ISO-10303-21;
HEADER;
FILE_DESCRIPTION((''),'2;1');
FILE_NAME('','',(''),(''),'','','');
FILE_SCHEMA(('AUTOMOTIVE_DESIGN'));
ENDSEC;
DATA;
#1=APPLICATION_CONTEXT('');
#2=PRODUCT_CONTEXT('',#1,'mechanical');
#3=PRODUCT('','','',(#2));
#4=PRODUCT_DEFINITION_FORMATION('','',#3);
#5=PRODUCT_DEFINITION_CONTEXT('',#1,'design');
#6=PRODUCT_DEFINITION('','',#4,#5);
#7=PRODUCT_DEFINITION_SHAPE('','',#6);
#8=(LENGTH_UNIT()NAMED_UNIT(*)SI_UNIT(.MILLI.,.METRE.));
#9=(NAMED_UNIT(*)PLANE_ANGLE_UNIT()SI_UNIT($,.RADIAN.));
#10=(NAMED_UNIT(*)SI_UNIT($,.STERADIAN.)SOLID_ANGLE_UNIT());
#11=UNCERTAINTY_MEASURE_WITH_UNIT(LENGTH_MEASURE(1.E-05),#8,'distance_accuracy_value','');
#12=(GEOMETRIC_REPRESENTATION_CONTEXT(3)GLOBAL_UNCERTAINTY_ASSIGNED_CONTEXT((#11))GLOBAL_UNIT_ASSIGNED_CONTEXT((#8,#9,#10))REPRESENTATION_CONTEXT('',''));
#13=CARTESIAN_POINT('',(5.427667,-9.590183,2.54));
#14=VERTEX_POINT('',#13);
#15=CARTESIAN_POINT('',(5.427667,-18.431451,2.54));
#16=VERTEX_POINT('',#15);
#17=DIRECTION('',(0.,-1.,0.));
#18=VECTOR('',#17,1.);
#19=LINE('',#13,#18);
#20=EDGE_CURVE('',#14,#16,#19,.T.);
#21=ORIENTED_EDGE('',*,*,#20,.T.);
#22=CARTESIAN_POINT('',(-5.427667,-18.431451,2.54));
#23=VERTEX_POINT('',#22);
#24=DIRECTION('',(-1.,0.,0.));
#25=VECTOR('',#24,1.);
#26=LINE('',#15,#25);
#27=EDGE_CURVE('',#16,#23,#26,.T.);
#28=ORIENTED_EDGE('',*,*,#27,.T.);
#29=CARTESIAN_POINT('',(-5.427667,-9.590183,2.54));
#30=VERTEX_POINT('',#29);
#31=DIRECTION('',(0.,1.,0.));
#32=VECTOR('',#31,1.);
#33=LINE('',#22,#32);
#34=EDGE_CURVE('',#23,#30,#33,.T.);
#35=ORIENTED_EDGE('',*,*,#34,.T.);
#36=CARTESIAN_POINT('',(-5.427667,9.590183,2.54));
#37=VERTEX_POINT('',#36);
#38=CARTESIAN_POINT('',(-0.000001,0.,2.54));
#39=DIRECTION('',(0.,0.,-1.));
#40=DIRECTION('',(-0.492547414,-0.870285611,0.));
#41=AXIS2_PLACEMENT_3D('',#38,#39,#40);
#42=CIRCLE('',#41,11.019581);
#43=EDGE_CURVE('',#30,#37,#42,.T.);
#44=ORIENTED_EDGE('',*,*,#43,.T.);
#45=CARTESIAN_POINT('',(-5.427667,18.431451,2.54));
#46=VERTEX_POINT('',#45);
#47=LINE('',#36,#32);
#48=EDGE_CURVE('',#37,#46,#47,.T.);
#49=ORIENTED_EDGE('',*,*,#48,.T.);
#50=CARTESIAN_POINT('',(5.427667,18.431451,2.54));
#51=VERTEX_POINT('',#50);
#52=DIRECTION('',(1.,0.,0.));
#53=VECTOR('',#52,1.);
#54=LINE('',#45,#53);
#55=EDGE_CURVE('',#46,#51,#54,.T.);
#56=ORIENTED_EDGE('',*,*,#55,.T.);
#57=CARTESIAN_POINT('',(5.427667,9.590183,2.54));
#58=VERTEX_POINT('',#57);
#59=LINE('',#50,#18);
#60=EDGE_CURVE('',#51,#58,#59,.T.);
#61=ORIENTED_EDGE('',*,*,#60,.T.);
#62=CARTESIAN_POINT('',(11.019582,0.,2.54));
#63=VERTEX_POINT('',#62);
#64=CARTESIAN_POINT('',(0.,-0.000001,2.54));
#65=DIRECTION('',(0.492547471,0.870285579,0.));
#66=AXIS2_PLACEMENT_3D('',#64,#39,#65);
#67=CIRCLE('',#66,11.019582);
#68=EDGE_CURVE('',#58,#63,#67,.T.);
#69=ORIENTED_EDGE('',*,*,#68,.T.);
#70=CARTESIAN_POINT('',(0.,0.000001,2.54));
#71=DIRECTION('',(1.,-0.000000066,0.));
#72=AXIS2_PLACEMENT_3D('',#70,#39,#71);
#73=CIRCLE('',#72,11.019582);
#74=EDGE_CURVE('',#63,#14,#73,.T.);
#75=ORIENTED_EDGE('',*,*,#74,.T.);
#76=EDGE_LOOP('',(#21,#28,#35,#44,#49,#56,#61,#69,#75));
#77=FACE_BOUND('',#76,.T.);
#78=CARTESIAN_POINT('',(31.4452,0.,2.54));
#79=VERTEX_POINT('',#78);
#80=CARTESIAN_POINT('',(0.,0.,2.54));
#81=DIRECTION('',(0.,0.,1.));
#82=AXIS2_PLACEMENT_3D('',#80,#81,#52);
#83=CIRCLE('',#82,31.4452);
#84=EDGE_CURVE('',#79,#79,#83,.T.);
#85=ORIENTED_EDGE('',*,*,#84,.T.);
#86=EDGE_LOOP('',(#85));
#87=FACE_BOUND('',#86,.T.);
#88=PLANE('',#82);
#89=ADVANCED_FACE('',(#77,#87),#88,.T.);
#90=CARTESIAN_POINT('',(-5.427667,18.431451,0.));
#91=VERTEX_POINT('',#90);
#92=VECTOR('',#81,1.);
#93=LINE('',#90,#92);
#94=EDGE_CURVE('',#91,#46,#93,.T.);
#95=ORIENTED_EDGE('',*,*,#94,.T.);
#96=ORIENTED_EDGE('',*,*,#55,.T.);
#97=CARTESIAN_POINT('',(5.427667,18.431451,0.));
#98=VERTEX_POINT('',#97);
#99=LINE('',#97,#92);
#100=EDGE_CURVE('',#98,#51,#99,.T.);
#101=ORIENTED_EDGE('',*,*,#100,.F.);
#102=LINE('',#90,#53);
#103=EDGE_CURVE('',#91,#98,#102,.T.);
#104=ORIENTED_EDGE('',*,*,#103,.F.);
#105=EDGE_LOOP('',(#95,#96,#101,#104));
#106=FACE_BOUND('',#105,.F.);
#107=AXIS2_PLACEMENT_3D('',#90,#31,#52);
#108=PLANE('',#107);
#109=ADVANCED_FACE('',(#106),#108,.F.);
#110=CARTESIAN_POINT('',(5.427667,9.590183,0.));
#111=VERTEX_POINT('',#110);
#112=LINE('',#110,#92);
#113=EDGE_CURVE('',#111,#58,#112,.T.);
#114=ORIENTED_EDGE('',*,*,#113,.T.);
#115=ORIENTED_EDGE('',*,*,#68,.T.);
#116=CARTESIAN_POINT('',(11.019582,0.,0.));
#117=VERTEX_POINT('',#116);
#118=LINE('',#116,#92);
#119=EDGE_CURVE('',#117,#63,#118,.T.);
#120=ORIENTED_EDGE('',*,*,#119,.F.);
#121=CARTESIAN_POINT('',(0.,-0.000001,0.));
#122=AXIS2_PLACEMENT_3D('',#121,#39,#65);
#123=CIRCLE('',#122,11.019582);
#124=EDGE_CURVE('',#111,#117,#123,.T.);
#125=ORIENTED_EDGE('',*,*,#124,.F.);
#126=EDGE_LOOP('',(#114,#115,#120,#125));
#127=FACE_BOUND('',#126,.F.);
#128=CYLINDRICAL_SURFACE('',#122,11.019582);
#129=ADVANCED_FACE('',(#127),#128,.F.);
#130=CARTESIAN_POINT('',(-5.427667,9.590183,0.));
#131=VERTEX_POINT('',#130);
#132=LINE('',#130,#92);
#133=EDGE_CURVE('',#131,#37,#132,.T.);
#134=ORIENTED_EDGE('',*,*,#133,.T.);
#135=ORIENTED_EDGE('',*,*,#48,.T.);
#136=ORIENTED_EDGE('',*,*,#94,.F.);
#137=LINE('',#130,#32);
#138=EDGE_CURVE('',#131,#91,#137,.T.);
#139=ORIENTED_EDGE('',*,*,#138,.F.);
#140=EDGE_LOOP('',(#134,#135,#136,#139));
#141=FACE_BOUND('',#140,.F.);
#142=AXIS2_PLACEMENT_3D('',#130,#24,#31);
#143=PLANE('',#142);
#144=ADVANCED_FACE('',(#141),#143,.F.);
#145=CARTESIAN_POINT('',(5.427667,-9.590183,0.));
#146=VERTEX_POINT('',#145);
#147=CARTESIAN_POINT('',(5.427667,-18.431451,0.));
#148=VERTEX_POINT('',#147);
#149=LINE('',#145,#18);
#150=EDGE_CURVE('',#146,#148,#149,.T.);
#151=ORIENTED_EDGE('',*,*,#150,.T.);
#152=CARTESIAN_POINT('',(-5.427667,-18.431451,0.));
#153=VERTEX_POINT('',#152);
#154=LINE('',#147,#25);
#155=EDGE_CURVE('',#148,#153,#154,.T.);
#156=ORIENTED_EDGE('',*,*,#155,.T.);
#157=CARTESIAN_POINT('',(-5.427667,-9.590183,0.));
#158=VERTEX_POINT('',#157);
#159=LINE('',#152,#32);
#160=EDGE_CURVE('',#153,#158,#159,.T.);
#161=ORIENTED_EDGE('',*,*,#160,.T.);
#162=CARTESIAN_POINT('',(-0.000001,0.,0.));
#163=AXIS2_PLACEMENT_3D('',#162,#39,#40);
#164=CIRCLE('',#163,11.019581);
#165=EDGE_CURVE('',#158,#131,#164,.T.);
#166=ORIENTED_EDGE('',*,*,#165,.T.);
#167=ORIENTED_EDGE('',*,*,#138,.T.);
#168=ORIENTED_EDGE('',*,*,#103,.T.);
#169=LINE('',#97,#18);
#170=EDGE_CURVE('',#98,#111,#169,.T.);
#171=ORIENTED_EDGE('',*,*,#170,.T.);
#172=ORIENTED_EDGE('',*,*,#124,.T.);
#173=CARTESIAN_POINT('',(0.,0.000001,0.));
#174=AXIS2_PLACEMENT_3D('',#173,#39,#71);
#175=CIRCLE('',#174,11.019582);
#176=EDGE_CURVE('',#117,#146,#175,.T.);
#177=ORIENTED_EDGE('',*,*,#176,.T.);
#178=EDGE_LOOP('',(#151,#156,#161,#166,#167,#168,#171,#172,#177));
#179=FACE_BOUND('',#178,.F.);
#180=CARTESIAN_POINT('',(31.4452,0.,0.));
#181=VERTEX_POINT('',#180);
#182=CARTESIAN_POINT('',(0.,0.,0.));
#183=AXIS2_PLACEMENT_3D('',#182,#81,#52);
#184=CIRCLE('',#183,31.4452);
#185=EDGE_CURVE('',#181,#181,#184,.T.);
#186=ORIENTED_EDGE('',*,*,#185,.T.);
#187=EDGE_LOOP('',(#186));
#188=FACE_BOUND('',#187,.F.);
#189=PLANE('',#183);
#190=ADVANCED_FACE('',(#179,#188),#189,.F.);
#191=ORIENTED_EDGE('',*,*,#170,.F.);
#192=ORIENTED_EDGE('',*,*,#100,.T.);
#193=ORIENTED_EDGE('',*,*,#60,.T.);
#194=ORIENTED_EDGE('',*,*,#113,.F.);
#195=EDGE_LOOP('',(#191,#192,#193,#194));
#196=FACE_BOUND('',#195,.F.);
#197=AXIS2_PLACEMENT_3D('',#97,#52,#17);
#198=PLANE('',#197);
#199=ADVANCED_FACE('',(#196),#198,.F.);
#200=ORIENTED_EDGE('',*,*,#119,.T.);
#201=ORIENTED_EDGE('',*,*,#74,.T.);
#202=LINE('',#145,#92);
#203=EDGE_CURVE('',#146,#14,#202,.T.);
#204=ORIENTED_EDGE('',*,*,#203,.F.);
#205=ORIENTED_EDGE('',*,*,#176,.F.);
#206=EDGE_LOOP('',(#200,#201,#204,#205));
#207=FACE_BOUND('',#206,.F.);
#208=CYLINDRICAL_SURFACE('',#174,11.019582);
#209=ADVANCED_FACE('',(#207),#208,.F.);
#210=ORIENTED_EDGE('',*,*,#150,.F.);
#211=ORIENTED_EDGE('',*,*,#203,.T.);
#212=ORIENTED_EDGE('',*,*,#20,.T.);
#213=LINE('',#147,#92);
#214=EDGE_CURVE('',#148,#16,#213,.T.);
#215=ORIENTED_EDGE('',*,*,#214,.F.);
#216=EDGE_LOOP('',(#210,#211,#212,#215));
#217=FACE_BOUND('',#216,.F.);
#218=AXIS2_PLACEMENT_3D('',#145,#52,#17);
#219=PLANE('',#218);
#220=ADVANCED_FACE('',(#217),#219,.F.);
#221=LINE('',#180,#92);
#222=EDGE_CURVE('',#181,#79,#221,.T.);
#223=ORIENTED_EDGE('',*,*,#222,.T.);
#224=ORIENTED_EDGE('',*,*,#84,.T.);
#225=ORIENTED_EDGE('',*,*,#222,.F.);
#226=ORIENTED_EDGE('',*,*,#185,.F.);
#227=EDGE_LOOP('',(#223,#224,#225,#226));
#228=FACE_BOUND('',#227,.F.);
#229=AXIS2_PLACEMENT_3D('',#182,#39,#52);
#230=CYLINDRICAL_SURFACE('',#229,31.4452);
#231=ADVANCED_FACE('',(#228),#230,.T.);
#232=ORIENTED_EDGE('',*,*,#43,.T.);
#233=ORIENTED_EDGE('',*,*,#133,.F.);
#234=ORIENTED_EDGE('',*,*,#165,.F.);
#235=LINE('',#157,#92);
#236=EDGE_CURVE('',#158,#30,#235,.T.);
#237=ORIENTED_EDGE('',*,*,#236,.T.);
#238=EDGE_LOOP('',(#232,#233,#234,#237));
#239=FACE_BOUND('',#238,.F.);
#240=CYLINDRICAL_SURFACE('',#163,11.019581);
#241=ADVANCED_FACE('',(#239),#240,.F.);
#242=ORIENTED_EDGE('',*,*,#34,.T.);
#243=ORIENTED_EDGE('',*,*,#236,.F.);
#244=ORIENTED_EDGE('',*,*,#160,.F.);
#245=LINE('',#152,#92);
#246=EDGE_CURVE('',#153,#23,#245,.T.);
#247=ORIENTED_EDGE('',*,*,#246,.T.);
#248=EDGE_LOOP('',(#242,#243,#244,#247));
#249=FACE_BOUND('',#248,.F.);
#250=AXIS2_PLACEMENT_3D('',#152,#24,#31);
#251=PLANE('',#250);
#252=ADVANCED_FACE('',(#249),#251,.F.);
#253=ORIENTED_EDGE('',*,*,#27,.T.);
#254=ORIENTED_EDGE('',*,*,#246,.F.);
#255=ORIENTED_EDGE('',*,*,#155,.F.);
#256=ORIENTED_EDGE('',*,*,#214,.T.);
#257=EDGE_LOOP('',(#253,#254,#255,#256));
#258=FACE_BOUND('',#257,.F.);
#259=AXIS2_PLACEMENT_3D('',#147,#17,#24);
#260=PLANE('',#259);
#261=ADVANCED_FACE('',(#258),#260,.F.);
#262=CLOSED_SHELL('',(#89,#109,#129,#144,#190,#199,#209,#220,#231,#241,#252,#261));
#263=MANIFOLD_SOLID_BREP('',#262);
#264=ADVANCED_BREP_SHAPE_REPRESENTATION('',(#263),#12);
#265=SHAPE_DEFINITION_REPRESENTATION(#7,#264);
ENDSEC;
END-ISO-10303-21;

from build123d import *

# Parameters (mm, degrees)
F0_R     = 31.4452
F1_DEPTH = 2.54


with BuildPart() as f1:
    # F0 (on Top) → F1 (new body)
    with BuildSketch(Plane.XY):
        Circle(F0_R)
        with BuildLine():
            ThreePointArc((5.427667, 9.590183), (9.519501, 5.550701), (11.019582, 0))
            ThreePointArc((11.019582, 0), (9.519501, -5.550701), (5.427667, -9.590183))
            Line((5.427667, -9.590183), (5.427667, -18.431451))
            Line((5.427667, -18.431451), (-5.427667, -18.431451))
            Line((-5.427667, -18.431451), (-5.427667, -9.590183))
            ThreePointArc((-5.427667, -9.590183), (-11.019582, 0), (-5.427667, 9.590183))
            Line((-5.427667, 9.590183), (-5.427667, 18.431451))
            Line((-5.427667, 18.431451), (5.427667, 18.431451))
            Line((5.427667, 18.431451), (5.427667, 9.590183))
        make_face(mode=Mode.SUBTRACT)
    extrude(amount=F1_DEPTH)


solid = f1.part
